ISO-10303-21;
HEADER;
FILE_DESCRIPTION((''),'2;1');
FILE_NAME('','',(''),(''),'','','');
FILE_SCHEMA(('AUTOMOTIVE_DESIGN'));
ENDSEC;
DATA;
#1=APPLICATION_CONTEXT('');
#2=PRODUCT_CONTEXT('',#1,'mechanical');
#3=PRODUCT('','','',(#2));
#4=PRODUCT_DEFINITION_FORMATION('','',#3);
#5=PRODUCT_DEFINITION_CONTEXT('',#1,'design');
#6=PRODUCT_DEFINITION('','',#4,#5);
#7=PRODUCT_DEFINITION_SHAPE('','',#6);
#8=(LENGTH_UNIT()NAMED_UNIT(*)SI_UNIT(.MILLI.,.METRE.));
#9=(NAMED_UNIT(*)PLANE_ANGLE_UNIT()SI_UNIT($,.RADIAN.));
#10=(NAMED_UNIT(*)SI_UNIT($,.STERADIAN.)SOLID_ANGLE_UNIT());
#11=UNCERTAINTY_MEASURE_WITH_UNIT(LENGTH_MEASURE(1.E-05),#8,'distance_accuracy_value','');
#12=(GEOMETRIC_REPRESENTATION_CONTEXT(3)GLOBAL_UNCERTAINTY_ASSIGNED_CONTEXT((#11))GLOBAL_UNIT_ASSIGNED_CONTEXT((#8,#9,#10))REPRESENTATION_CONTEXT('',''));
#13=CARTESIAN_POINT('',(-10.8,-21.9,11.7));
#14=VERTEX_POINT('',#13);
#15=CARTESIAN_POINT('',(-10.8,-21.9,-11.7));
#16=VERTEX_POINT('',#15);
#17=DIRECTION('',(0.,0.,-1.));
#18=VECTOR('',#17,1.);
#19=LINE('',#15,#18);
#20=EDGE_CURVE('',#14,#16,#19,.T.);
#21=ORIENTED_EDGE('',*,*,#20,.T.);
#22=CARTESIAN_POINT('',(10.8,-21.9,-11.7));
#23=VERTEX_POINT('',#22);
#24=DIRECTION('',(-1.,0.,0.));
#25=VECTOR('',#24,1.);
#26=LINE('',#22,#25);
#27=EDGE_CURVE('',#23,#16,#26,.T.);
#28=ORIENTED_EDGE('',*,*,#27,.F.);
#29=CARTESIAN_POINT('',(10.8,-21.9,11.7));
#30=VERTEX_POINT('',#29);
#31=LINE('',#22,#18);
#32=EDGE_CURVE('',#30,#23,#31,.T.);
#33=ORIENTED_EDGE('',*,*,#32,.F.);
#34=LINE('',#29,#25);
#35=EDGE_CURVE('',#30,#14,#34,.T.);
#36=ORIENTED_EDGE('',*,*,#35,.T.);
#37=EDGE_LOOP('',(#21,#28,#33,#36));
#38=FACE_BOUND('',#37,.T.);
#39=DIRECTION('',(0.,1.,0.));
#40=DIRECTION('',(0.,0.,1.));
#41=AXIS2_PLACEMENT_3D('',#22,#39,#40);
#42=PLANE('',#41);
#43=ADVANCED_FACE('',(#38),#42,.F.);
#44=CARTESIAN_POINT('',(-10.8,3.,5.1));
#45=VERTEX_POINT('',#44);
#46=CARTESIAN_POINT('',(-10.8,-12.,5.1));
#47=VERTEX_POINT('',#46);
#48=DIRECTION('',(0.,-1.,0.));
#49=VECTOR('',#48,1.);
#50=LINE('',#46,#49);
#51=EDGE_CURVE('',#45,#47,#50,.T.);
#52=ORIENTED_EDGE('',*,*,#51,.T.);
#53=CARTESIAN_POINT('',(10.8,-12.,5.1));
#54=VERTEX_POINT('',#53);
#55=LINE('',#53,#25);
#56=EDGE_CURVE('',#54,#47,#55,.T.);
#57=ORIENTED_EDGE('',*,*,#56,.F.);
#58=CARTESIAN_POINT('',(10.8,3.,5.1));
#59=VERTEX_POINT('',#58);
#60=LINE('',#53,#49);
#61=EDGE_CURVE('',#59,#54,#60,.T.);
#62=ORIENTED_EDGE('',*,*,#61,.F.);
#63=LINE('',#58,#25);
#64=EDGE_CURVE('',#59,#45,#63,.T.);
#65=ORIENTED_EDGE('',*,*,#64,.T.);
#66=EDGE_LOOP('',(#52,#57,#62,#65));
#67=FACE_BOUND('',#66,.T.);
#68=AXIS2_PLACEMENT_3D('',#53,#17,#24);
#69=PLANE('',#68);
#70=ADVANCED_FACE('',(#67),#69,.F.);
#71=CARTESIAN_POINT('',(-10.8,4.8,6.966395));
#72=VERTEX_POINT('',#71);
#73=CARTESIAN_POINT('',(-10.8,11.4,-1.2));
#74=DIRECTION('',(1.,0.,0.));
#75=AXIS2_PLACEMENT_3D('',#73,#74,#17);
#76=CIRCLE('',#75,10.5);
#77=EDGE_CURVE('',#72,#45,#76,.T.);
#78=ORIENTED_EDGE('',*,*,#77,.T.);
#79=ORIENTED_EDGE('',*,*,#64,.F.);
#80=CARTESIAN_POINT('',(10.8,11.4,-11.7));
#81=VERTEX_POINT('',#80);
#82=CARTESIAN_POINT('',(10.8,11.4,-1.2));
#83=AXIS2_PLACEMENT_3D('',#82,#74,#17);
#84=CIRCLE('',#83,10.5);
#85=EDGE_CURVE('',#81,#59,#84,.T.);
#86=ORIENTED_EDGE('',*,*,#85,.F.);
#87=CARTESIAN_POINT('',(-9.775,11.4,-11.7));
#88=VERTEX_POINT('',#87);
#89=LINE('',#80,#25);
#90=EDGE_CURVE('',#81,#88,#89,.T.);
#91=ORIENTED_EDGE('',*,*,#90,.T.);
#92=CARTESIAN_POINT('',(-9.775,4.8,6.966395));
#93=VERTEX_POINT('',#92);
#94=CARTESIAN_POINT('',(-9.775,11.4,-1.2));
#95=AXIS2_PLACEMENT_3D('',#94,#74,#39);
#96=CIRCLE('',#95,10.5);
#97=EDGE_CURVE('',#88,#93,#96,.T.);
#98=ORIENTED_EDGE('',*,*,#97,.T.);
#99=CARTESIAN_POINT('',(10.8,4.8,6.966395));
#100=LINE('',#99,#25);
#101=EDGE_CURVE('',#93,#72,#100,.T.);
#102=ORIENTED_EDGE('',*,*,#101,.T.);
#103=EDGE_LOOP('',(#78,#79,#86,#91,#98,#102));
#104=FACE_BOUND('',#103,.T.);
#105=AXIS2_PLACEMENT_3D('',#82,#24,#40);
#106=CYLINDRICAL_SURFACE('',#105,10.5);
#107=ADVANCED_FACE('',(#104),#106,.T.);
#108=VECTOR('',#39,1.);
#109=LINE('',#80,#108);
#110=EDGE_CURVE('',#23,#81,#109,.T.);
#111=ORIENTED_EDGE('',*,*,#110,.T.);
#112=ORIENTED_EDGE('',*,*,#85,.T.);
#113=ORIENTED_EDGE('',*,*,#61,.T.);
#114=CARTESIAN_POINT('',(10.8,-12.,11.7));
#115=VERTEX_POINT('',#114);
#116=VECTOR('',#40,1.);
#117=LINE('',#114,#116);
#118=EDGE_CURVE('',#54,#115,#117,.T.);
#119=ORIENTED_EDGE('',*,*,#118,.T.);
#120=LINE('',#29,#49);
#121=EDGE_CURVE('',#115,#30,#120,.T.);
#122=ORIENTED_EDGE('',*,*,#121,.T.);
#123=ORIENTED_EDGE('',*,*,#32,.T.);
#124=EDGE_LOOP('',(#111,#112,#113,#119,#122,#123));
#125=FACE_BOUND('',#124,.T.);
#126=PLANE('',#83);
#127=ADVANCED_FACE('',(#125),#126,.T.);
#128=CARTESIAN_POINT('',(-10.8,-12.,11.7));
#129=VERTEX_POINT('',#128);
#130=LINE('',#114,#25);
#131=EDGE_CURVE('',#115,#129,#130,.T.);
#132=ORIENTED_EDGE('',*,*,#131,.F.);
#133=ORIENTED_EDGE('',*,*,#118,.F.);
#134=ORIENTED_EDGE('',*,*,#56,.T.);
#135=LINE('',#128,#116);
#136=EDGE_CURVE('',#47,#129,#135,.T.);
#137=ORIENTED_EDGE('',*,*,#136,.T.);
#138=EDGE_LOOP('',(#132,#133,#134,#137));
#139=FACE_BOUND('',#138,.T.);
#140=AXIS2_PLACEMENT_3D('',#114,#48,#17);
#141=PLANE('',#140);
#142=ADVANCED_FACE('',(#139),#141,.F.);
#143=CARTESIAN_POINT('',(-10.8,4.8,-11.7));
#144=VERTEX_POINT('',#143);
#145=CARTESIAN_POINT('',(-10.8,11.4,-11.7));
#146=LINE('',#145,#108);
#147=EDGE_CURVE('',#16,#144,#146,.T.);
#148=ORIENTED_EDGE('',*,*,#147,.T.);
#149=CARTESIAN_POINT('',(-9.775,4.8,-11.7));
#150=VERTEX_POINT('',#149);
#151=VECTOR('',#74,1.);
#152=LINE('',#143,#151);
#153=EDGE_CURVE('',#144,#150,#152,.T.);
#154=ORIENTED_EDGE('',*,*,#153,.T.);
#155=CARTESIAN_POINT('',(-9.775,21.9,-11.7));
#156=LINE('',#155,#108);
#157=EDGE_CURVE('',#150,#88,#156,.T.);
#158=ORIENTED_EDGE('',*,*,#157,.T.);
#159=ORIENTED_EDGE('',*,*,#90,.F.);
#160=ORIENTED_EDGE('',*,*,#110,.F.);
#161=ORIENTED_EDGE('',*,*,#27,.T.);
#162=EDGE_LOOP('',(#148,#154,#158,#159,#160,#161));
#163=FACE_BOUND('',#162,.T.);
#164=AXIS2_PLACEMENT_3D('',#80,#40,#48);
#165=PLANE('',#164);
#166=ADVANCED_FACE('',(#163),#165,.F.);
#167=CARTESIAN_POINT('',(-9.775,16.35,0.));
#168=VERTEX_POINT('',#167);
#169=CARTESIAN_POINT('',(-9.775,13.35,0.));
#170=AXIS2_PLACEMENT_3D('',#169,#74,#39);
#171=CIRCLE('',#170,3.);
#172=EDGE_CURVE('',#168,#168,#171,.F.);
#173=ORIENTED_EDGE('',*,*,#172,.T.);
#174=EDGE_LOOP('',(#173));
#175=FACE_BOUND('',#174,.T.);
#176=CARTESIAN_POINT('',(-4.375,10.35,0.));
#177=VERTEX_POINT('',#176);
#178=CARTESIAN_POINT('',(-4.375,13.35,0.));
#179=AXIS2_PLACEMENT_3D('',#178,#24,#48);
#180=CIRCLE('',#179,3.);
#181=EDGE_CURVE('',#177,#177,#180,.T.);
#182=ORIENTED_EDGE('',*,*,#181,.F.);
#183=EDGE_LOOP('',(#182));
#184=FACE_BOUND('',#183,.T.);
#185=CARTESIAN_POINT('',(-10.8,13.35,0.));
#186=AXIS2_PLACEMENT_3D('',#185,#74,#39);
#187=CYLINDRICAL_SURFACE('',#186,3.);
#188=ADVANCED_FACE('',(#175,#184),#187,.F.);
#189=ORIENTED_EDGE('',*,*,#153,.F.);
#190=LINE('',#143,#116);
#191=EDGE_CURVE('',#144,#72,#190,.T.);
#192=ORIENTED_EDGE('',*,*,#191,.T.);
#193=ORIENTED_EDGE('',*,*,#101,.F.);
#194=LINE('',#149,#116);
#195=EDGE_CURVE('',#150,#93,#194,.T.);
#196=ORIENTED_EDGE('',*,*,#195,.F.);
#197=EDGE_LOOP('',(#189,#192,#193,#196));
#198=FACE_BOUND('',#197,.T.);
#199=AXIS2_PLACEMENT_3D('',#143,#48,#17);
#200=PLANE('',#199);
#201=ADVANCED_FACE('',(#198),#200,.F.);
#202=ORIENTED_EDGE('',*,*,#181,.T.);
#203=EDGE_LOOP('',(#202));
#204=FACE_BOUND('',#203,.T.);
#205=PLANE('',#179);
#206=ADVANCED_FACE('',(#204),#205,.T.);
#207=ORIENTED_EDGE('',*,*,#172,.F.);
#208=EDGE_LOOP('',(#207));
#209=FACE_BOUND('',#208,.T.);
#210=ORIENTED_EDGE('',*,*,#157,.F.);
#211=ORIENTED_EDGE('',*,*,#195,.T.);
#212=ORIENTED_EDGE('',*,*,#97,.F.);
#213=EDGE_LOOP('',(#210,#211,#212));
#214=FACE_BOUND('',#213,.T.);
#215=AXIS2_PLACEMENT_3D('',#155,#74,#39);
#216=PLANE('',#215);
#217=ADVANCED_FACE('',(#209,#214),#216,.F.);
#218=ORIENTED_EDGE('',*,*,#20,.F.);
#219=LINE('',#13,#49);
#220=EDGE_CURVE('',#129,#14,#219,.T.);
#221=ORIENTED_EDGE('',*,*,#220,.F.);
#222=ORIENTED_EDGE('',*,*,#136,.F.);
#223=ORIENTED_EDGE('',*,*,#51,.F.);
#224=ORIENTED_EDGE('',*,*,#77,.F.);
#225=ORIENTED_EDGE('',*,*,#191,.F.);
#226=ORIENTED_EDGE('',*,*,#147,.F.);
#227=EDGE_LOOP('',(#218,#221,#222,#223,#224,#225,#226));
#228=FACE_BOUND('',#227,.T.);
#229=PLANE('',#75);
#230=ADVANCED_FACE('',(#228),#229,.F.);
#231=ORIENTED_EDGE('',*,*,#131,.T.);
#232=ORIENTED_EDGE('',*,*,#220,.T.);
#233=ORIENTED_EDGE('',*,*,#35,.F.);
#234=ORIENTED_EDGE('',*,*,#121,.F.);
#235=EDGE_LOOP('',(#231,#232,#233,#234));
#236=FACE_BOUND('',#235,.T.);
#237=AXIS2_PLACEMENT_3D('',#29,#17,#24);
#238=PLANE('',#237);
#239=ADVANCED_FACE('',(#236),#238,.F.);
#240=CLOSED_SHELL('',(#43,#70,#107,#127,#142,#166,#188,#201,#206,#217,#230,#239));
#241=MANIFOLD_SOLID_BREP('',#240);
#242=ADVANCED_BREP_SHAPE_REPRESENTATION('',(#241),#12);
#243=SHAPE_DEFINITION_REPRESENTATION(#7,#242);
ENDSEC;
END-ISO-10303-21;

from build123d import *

# Parameters (mm, degrees)
SALIENTE_EXTRUIR1_DEPTH    = 10.8
CORTAR_EXTRUIR1_DEPTH      = 28.076558127
CORTAR_EXTRUIR1_DEPTH_BACK = 28.076558127
CROQUIS4_W                 = 1.025
CROQUIS4_H                 = 17.1
CORTAR_EXTRUIR2_DEPTH      = 33.246404838
CORTAR_EXTRUIR2_DEPTH_BACK = 5.4
CROQUIS5_R                 = 3


with BuildPart() as part:
    # Croquis2 → Saliente-Extruir1 (new, symmetric)
    with BuildSketch(Plane(origin=(0, 0, 0), x_dir=(0, 0, -1), z_dir=(1, 0, 0))):
        with BuildLine():
            Line((11.7, 11.4), (11.7, -21.9))
            Line((11.7, -21.9), (-11.7, -21.9))
            Line((-11.7, -21.9), (-11.7, -12))
            Line((-11.7, -12), (-5.1, -12))
            Line((-5.1, -12), (-5.1, 3))
            ThreePointArc((-5.1, 3), (-3.495742753, 20.791485505), (11.7, 11.4))
        make_face()
    extrude(amount=SALIENTE_EXTRUIR1_DEPTH, both=True)

    # Croquis4 → Cortar-Extruir1 (cut, two sides: drawn at the far end of the back side and taken through both)
    with BuildSketch(Plane.XY.offset(-CORTAR_EXTRUIR1_DEPTH_BACK)):
        with Locations((-10.2875, 13.35)):
            Rectangle(CROQUIS4_W, CROQUIS4_H)
    extrude(amount=CORTAR_EXTRUIR1_DEPTH + CORTAR_EXTRUIR1_DEPTH_BACK, mode=Mode.SUBTRACT)

    # Croquis5 → Cortar-Extruir2 (cut, two sides: drawn at the far end of the back side and taken through both)
    with BuildSketch(Plane.ZY.offset(9.775).offset(-CORTAR_EXTRUIR2_DEPTH_BACK)):
        with Locations(Location((0, 13.35, 0), (0, 0, 90))):
            Circle(CROQUIS5_R)
    extrude(amount=CORTAR_EXTRUIR2_DEPTH + CORTAR_EXTRUIR2_DEPTH_BACK, mode=Mode.SUBTRACT)


solid = part.part
